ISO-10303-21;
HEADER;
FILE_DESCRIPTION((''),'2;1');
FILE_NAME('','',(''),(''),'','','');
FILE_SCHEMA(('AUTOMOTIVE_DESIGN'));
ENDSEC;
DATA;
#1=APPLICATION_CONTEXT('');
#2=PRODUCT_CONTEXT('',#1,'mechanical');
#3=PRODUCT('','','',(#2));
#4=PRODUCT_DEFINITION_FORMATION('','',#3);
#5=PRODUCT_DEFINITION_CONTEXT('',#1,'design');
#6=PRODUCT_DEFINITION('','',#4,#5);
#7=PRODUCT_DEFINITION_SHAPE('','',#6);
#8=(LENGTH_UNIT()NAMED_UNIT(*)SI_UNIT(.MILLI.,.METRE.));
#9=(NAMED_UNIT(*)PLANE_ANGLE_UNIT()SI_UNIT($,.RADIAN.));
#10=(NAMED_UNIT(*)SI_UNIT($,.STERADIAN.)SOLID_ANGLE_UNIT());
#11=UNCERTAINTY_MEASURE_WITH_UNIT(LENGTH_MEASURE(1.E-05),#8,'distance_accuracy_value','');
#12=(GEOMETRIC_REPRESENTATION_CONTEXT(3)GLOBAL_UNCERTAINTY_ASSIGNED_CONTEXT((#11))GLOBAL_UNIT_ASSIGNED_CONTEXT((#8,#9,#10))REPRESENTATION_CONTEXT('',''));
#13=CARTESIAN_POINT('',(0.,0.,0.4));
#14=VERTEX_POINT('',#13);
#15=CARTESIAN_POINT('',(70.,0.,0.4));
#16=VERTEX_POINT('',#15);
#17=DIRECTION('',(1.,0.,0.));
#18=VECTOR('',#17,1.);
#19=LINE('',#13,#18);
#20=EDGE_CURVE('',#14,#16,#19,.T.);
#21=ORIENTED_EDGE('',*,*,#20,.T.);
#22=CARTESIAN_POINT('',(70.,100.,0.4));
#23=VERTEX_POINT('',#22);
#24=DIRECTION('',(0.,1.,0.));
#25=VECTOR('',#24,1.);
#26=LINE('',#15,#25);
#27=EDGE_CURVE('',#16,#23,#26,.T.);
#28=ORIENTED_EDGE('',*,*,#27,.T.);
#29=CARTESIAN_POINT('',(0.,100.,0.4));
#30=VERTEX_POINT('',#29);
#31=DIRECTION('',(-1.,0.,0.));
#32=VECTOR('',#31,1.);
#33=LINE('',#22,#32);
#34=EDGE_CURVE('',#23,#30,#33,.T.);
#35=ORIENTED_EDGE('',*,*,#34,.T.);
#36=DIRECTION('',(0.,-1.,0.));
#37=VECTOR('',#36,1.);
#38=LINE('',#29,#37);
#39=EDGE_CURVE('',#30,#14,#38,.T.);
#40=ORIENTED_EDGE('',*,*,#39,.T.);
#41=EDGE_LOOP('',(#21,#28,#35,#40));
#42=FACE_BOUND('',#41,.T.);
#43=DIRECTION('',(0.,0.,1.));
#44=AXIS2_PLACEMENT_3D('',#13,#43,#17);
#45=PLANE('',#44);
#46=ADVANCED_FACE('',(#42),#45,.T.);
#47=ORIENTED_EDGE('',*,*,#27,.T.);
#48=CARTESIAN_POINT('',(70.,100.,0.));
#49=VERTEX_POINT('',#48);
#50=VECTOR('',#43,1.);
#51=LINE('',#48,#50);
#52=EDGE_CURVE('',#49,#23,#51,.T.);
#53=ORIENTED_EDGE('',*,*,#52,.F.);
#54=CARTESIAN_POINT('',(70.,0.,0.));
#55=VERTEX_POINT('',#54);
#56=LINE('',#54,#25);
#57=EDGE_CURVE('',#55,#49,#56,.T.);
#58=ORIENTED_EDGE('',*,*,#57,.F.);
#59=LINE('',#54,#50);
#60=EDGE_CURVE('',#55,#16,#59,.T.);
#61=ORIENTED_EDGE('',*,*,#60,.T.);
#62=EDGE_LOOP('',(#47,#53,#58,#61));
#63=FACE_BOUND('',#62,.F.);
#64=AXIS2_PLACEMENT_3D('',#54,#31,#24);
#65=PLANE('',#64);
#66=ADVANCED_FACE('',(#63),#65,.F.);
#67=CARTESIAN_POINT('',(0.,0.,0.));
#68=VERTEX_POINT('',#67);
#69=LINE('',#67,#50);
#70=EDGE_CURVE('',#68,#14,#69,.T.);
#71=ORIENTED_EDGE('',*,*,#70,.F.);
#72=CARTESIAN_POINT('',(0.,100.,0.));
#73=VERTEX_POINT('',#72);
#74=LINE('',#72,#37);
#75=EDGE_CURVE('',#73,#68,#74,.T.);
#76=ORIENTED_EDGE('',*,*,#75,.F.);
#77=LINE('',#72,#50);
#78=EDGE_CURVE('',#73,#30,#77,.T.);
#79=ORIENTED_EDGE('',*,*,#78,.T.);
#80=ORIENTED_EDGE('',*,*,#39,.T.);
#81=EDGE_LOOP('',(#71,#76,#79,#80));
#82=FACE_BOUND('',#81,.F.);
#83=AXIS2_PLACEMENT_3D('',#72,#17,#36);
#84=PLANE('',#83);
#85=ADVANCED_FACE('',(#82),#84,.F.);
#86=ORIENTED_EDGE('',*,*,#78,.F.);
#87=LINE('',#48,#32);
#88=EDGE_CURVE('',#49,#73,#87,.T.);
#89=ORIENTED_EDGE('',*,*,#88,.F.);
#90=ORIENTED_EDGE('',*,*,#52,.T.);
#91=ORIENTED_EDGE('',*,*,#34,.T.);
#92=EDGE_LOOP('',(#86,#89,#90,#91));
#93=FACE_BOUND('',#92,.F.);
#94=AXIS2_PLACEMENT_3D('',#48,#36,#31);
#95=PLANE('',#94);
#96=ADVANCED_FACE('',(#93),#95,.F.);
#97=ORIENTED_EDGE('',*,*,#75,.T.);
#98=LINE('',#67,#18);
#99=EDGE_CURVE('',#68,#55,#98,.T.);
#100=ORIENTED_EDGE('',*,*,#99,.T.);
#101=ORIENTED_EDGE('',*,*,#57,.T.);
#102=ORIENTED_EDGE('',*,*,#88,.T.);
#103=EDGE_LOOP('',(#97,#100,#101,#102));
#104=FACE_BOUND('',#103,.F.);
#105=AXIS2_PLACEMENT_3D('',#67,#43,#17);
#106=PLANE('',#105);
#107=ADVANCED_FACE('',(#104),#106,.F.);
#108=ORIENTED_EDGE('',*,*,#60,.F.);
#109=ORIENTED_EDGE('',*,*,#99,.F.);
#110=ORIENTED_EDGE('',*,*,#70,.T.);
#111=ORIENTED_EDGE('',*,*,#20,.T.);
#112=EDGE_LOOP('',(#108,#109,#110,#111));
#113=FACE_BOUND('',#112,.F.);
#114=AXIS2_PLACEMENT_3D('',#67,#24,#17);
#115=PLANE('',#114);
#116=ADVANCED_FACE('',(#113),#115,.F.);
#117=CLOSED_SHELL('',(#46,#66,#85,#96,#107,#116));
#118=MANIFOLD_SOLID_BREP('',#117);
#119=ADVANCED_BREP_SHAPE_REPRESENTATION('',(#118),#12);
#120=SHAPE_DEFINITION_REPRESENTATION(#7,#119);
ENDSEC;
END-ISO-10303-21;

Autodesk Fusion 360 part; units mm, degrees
sketch "Sketch1" plane through (0, 0, 0) normal (0, 0, 1) x (1, 0, 0)
  line L0 (0, 0) -> (70, 0)
  line L1 (70, 0) -> (70, 100)
  line L2 (70, 100) -> (0, 100)
  line L3 (0, 100) -> (0, 0)
  dimension "d1" = 70
  dimension "d3" = 100
extrude "Extrude1" add sketch "Sketch1" along normal blind 0.4
